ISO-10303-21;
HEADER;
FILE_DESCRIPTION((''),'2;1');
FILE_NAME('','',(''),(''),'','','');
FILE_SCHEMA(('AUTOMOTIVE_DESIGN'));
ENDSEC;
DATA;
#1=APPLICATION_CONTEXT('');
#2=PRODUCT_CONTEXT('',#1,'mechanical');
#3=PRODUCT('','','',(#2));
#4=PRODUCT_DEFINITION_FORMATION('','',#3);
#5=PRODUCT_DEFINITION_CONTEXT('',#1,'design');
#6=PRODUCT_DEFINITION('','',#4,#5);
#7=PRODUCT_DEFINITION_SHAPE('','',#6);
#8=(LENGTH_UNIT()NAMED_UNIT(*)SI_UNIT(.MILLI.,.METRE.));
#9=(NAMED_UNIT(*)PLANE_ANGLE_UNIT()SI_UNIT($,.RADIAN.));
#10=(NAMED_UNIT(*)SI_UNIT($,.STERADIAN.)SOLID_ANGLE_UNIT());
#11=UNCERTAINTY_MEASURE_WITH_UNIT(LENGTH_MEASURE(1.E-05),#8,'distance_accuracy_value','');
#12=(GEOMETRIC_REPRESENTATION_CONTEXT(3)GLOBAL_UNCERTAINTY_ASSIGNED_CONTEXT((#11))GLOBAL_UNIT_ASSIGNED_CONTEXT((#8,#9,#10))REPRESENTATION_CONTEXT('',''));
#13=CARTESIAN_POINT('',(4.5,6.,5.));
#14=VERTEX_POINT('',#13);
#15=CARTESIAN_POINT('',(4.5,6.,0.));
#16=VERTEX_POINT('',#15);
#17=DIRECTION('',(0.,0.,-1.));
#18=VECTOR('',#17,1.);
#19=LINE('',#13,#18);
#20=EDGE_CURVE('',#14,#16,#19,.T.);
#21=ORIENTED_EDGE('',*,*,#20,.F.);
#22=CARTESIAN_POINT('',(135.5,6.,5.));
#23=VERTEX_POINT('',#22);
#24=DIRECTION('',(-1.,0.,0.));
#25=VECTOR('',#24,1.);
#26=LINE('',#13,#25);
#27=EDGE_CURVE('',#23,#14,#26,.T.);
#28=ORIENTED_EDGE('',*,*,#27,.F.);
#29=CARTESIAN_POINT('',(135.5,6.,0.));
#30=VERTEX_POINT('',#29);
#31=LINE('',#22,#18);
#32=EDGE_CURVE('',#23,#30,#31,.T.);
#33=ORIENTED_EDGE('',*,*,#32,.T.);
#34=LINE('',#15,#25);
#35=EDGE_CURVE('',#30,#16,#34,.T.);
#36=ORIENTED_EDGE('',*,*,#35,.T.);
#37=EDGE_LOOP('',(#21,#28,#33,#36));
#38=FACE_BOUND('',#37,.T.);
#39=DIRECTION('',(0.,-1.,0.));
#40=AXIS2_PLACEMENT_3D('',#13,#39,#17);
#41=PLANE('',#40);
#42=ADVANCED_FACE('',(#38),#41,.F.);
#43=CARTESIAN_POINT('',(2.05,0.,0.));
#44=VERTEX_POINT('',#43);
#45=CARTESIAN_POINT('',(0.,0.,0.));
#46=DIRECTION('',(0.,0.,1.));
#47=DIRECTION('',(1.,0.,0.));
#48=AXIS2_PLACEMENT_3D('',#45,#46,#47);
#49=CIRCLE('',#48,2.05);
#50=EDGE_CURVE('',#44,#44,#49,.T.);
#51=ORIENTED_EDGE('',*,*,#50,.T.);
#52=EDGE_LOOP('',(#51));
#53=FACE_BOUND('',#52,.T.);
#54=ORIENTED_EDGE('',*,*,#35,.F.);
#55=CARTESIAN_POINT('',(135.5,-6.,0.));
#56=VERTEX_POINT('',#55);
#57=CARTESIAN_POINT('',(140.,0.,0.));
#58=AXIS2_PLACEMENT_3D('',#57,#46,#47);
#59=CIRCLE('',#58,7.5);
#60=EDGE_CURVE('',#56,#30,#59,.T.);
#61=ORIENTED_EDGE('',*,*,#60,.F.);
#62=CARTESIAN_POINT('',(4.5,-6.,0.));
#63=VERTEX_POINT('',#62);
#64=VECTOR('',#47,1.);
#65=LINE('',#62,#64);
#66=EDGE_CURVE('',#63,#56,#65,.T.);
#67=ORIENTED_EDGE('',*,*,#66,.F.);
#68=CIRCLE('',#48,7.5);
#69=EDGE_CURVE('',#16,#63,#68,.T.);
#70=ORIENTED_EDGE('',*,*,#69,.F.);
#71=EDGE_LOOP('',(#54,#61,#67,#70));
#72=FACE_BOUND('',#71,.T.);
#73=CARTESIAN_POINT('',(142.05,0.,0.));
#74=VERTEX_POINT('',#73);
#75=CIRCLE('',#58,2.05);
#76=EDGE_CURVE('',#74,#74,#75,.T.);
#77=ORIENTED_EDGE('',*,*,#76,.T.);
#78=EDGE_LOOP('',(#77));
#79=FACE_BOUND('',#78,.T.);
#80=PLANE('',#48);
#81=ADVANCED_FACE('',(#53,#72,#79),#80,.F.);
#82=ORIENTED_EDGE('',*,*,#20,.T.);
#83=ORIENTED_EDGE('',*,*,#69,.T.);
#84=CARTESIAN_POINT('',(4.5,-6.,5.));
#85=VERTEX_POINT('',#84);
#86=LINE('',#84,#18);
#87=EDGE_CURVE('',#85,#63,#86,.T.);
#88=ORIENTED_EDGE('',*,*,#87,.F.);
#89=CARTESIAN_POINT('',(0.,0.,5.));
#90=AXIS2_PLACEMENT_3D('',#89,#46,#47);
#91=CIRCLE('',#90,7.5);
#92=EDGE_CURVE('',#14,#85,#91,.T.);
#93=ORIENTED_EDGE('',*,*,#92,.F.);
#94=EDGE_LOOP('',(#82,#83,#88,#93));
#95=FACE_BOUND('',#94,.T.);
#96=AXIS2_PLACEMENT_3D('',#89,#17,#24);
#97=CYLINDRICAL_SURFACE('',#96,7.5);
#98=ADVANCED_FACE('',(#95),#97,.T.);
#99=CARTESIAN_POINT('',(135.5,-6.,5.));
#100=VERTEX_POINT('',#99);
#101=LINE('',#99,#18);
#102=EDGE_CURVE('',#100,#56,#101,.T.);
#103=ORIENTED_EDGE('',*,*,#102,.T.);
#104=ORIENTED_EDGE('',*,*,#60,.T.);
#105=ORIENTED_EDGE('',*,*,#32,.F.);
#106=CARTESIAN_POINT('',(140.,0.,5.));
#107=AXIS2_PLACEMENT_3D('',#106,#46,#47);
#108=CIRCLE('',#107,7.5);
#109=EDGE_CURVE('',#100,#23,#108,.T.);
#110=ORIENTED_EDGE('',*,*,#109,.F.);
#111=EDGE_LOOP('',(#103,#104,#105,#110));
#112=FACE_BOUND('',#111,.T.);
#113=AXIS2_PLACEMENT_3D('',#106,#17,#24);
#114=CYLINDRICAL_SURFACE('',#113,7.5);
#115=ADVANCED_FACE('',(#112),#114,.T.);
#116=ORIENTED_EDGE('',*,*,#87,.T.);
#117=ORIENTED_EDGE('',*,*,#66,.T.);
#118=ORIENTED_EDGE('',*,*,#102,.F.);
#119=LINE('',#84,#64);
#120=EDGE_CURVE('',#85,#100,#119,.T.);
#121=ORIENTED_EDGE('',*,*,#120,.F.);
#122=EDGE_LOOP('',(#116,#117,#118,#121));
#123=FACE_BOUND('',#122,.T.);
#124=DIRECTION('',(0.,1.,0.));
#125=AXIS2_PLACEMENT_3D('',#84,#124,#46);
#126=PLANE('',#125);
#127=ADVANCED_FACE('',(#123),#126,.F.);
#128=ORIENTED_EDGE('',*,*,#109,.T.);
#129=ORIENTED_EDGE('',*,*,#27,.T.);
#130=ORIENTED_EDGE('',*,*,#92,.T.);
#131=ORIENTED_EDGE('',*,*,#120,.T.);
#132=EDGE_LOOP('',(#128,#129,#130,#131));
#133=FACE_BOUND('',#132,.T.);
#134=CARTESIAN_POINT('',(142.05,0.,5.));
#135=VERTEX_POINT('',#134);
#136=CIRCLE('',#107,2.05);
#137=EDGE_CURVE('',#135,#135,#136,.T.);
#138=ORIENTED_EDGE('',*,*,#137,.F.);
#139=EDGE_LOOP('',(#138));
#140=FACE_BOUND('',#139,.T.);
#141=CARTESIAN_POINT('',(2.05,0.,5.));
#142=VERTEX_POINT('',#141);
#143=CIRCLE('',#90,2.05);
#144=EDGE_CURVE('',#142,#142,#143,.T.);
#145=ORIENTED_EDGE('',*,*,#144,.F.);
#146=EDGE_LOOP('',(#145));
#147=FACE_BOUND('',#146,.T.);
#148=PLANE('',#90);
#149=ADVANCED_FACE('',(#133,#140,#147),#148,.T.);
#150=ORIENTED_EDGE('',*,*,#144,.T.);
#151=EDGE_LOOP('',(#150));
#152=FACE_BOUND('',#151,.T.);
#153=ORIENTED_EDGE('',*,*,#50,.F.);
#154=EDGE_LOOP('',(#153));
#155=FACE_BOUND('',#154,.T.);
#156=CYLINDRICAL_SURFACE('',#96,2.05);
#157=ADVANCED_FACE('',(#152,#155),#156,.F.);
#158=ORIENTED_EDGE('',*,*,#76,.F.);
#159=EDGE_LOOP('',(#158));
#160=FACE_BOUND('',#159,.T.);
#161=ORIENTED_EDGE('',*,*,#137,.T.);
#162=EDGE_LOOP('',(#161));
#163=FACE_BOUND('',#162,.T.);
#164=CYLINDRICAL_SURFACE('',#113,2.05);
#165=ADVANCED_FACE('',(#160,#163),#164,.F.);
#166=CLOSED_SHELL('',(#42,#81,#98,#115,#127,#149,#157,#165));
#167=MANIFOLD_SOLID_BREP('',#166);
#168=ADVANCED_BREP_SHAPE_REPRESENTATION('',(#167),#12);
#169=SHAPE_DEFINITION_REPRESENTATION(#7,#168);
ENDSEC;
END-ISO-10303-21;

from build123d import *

# Parameters (mm, degrees)
SCHIZZO1_R                   = 2.05
ESTRUSIONE_ESTRUSIONE1_DEPTH = 5


with BuildPart() as part:
    # Schizzo1 → Estrusione-Estrusione1 (new body)
    with BuildSketch(Plane.XY):
        with BuildLine():
            Line((4.5, -6), (135.5, -6))
            ThreePointArc((135.5, -6), (147.5, 0), (135.5, 6))
            Line((135.5, 6), (4.5, 6))
            ThreePointArc((4.5, 6), (-7.5, 0), (4.5, -6))
        make_face()
        Circle(SCHIZZO1_R, mode=Mode.SUBTRACT)
        with Locations((140, 0)):
            Circle(SCHIZZO1_R, mode=Mode.SUBTRACT)
    extrude(amount=ESTRUSIONE_ESTRUSIONE1_DEPTH)


solid = part.part
